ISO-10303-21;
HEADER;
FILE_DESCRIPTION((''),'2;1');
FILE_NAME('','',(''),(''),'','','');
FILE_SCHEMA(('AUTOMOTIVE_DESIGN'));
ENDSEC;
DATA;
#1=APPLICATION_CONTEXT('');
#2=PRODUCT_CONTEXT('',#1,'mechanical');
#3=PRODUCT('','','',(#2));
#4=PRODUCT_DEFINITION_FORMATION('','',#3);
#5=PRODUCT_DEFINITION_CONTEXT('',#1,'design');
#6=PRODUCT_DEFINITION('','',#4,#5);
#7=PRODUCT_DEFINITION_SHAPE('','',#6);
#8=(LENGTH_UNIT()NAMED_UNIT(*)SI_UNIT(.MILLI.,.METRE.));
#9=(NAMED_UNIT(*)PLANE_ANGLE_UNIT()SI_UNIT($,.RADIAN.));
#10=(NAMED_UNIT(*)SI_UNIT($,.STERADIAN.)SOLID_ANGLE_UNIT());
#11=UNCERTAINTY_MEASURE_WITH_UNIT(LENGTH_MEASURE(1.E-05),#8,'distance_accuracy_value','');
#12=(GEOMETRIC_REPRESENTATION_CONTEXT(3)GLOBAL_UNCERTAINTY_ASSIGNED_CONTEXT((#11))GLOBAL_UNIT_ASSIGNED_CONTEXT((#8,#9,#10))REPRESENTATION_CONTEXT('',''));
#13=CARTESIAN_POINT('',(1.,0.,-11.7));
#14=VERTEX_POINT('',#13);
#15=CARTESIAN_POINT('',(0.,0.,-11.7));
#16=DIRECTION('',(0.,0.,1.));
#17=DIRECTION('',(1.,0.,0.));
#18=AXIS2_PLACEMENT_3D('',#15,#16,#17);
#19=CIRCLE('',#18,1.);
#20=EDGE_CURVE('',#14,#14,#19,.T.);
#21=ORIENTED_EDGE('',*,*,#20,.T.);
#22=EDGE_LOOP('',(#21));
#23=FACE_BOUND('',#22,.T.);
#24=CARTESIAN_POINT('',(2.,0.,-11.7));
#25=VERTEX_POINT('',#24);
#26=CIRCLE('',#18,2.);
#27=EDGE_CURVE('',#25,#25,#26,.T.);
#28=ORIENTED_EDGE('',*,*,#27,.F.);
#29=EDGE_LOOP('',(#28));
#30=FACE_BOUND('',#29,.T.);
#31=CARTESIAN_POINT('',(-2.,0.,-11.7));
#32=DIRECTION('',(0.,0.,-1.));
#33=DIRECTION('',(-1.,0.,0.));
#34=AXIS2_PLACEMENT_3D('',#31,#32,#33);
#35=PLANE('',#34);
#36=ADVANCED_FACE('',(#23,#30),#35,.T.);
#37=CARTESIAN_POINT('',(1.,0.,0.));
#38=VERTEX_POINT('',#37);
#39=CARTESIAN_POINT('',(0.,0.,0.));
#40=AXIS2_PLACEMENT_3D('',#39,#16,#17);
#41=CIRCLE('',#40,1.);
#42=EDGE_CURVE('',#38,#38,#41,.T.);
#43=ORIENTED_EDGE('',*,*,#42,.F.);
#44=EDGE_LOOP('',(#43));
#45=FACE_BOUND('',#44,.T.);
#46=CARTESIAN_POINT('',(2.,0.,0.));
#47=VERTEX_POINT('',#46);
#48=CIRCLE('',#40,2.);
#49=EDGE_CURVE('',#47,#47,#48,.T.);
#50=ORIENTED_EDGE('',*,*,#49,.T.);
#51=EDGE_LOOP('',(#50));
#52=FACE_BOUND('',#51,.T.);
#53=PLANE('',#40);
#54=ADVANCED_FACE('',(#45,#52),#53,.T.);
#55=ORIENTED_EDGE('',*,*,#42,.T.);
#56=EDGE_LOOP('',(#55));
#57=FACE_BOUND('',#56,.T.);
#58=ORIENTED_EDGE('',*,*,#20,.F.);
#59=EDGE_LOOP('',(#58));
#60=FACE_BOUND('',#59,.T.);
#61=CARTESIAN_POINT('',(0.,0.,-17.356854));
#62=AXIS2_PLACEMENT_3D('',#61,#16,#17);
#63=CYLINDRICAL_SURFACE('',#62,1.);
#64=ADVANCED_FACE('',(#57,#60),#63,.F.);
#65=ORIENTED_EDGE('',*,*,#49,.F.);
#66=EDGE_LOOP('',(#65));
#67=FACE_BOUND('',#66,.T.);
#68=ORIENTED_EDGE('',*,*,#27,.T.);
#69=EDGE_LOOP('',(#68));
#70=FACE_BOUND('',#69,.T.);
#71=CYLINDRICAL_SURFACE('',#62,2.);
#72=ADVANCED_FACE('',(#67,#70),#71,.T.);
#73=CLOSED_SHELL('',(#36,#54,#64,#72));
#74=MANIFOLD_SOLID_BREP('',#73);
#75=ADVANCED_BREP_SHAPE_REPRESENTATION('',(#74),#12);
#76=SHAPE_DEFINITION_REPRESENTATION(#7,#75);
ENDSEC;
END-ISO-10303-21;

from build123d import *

# Parameters (mm, degrees)
CROQUIS1_R              = 2
CROQUIS1_R_2            = 1
SALIENTE_EXTRUIR1_DEPTH = 11.7


with BuildPart() as part:
    # Croquis1 → Saliente-Extruir1 (new body)
    with BuildSketch(Plane.XY):
        Circle(CROQUIS1_R)
        Circle(CROQUIS1_R_2, mode=Mode.SUBTRACT)
    extrude(amount=-SALIENTE_EXTRUIR1_DEPTH)


solid = part.part
